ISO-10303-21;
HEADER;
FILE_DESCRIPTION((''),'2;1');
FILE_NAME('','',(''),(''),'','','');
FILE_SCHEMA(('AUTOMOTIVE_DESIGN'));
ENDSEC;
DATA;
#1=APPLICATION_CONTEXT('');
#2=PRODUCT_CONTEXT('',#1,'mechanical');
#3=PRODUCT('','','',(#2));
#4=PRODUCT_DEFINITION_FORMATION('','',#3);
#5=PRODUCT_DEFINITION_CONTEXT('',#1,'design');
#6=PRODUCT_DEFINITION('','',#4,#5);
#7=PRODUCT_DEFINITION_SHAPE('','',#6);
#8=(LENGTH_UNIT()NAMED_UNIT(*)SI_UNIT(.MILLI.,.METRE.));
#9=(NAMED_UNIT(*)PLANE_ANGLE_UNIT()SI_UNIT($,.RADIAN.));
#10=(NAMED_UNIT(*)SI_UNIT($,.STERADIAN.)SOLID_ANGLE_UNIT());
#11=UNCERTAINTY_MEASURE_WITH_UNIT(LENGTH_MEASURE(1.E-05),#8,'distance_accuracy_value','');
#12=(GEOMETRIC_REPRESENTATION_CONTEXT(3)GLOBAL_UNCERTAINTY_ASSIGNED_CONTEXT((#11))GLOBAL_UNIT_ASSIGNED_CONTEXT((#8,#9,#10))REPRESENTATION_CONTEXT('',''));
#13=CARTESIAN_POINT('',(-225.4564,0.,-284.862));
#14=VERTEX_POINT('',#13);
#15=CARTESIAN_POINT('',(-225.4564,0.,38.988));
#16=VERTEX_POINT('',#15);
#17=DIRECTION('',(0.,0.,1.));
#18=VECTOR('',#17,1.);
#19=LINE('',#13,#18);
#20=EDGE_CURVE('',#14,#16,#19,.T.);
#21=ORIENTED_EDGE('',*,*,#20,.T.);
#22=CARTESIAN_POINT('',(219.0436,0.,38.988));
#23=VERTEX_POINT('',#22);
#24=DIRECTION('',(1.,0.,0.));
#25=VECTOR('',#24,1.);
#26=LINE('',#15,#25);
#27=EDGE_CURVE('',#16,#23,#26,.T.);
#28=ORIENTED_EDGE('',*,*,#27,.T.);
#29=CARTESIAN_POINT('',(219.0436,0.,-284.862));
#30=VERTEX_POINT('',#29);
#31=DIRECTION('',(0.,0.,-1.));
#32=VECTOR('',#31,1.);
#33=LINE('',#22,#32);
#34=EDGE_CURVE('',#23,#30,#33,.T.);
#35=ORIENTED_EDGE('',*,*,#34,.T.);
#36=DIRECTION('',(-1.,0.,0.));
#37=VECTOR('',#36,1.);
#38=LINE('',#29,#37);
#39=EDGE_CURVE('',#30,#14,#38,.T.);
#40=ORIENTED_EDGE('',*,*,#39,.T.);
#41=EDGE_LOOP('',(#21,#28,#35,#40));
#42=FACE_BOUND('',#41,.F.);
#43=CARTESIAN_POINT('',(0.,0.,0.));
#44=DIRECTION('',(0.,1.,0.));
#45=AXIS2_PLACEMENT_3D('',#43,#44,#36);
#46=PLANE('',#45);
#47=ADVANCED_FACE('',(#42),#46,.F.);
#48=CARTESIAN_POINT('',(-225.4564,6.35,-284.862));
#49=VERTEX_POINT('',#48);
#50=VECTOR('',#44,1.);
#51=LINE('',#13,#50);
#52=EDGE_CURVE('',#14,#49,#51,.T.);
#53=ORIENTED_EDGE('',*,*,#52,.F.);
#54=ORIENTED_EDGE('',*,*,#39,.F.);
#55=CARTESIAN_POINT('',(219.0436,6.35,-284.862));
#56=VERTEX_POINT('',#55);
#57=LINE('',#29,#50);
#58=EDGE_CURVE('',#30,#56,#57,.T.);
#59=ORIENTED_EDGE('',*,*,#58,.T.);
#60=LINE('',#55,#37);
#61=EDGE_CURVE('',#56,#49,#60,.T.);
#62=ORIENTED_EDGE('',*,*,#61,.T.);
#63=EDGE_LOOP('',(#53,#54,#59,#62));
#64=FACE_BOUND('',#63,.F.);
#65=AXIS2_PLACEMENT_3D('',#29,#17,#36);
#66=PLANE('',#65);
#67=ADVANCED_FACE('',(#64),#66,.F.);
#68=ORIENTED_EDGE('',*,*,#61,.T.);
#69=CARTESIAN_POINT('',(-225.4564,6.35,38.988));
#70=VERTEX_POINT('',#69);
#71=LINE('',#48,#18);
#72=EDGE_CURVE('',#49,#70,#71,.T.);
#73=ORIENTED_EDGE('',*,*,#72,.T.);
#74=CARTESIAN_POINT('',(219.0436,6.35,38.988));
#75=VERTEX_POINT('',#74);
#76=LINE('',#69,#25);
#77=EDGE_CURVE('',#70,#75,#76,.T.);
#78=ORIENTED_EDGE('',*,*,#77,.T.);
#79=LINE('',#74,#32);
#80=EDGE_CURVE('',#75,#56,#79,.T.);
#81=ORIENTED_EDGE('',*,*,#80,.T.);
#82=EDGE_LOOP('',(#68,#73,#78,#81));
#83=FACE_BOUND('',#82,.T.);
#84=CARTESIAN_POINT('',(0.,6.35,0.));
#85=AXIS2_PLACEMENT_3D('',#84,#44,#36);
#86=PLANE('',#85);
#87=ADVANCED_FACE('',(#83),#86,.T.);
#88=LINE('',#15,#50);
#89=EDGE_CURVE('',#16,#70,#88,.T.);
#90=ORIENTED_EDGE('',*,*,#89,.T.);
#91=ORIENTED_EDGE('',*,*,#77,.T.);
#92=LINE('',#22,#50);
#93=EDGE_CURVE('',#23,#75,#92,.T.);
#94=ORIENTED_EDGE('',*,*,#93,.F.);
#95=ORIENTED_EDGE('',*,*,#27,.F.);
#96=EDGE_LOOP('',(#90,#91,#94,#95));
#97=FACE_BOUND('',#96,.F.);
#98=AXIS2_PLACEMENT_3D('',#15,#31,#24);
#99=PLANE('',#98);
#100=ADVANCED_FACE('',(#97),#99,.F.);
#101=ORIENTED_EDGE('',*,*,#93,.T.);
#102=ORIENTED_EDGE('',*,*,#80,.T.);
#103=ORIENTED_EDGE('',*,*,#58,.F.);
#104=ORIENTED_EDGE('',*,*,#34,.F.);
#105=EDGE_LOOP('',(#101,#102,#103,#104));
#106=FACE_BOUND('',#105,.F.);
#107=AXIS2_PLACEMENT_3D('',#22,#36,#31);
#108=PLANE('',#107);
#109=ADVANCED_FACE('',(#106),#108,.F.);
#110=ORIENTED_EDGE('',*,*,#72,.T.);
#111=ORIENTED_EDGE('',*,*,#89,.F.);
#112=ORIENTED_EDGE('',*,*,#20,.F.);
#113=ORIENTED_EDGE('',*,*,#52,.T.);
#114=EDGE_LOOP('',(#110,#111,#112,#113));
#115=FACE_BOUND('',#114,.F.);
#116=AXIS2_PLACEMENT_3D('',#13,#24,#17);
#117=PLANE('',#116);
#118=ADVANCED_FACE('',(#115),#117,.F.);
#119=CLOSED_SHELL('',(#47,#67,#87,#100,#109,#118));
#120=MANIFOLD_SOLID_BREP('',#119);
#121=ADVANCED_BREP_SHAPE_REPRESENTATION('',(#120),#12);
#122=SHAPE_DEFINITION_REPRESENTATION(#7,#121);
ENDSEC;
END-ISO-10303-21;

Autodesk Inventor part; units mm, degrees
ref_plane "YZ Plane" through (0, 0, 0) normal (1, 0, 0) x (0, 1, 0)
ref_plane "XZ Plane" through (0, 0, 0) normal (0, 1, 0) x (-1, 0, 0)
ref_plane "XY Plane" through (0, 0, 0) normal (0, 0, 1) x (1, 0, 0)
sketch "Sketch1" plane through (0, 0, 0) normal (0, 1, 0) x (-1, 0, 0)
  line L0 (225.4564, 38.988) -> (-219.0436, 38.988)
  line L1 (-219.0436, 38.988) -> (-219.0436, -284.862)
  line L2 (-219.0436, -284.862) -> (225.4564, -284.862)
  line L3 (225.4564, -284.862) -> (225.4564, 38.988)
  point P0 (0, 0)
  dimension "d0" = 444.5
  dimension "d1" = 323.85
extrude "Extrusion1" add sketch "Sketch1" along normal blind 6.35
properties part number "Drawer bottom" material "Wood (Cherry)"
